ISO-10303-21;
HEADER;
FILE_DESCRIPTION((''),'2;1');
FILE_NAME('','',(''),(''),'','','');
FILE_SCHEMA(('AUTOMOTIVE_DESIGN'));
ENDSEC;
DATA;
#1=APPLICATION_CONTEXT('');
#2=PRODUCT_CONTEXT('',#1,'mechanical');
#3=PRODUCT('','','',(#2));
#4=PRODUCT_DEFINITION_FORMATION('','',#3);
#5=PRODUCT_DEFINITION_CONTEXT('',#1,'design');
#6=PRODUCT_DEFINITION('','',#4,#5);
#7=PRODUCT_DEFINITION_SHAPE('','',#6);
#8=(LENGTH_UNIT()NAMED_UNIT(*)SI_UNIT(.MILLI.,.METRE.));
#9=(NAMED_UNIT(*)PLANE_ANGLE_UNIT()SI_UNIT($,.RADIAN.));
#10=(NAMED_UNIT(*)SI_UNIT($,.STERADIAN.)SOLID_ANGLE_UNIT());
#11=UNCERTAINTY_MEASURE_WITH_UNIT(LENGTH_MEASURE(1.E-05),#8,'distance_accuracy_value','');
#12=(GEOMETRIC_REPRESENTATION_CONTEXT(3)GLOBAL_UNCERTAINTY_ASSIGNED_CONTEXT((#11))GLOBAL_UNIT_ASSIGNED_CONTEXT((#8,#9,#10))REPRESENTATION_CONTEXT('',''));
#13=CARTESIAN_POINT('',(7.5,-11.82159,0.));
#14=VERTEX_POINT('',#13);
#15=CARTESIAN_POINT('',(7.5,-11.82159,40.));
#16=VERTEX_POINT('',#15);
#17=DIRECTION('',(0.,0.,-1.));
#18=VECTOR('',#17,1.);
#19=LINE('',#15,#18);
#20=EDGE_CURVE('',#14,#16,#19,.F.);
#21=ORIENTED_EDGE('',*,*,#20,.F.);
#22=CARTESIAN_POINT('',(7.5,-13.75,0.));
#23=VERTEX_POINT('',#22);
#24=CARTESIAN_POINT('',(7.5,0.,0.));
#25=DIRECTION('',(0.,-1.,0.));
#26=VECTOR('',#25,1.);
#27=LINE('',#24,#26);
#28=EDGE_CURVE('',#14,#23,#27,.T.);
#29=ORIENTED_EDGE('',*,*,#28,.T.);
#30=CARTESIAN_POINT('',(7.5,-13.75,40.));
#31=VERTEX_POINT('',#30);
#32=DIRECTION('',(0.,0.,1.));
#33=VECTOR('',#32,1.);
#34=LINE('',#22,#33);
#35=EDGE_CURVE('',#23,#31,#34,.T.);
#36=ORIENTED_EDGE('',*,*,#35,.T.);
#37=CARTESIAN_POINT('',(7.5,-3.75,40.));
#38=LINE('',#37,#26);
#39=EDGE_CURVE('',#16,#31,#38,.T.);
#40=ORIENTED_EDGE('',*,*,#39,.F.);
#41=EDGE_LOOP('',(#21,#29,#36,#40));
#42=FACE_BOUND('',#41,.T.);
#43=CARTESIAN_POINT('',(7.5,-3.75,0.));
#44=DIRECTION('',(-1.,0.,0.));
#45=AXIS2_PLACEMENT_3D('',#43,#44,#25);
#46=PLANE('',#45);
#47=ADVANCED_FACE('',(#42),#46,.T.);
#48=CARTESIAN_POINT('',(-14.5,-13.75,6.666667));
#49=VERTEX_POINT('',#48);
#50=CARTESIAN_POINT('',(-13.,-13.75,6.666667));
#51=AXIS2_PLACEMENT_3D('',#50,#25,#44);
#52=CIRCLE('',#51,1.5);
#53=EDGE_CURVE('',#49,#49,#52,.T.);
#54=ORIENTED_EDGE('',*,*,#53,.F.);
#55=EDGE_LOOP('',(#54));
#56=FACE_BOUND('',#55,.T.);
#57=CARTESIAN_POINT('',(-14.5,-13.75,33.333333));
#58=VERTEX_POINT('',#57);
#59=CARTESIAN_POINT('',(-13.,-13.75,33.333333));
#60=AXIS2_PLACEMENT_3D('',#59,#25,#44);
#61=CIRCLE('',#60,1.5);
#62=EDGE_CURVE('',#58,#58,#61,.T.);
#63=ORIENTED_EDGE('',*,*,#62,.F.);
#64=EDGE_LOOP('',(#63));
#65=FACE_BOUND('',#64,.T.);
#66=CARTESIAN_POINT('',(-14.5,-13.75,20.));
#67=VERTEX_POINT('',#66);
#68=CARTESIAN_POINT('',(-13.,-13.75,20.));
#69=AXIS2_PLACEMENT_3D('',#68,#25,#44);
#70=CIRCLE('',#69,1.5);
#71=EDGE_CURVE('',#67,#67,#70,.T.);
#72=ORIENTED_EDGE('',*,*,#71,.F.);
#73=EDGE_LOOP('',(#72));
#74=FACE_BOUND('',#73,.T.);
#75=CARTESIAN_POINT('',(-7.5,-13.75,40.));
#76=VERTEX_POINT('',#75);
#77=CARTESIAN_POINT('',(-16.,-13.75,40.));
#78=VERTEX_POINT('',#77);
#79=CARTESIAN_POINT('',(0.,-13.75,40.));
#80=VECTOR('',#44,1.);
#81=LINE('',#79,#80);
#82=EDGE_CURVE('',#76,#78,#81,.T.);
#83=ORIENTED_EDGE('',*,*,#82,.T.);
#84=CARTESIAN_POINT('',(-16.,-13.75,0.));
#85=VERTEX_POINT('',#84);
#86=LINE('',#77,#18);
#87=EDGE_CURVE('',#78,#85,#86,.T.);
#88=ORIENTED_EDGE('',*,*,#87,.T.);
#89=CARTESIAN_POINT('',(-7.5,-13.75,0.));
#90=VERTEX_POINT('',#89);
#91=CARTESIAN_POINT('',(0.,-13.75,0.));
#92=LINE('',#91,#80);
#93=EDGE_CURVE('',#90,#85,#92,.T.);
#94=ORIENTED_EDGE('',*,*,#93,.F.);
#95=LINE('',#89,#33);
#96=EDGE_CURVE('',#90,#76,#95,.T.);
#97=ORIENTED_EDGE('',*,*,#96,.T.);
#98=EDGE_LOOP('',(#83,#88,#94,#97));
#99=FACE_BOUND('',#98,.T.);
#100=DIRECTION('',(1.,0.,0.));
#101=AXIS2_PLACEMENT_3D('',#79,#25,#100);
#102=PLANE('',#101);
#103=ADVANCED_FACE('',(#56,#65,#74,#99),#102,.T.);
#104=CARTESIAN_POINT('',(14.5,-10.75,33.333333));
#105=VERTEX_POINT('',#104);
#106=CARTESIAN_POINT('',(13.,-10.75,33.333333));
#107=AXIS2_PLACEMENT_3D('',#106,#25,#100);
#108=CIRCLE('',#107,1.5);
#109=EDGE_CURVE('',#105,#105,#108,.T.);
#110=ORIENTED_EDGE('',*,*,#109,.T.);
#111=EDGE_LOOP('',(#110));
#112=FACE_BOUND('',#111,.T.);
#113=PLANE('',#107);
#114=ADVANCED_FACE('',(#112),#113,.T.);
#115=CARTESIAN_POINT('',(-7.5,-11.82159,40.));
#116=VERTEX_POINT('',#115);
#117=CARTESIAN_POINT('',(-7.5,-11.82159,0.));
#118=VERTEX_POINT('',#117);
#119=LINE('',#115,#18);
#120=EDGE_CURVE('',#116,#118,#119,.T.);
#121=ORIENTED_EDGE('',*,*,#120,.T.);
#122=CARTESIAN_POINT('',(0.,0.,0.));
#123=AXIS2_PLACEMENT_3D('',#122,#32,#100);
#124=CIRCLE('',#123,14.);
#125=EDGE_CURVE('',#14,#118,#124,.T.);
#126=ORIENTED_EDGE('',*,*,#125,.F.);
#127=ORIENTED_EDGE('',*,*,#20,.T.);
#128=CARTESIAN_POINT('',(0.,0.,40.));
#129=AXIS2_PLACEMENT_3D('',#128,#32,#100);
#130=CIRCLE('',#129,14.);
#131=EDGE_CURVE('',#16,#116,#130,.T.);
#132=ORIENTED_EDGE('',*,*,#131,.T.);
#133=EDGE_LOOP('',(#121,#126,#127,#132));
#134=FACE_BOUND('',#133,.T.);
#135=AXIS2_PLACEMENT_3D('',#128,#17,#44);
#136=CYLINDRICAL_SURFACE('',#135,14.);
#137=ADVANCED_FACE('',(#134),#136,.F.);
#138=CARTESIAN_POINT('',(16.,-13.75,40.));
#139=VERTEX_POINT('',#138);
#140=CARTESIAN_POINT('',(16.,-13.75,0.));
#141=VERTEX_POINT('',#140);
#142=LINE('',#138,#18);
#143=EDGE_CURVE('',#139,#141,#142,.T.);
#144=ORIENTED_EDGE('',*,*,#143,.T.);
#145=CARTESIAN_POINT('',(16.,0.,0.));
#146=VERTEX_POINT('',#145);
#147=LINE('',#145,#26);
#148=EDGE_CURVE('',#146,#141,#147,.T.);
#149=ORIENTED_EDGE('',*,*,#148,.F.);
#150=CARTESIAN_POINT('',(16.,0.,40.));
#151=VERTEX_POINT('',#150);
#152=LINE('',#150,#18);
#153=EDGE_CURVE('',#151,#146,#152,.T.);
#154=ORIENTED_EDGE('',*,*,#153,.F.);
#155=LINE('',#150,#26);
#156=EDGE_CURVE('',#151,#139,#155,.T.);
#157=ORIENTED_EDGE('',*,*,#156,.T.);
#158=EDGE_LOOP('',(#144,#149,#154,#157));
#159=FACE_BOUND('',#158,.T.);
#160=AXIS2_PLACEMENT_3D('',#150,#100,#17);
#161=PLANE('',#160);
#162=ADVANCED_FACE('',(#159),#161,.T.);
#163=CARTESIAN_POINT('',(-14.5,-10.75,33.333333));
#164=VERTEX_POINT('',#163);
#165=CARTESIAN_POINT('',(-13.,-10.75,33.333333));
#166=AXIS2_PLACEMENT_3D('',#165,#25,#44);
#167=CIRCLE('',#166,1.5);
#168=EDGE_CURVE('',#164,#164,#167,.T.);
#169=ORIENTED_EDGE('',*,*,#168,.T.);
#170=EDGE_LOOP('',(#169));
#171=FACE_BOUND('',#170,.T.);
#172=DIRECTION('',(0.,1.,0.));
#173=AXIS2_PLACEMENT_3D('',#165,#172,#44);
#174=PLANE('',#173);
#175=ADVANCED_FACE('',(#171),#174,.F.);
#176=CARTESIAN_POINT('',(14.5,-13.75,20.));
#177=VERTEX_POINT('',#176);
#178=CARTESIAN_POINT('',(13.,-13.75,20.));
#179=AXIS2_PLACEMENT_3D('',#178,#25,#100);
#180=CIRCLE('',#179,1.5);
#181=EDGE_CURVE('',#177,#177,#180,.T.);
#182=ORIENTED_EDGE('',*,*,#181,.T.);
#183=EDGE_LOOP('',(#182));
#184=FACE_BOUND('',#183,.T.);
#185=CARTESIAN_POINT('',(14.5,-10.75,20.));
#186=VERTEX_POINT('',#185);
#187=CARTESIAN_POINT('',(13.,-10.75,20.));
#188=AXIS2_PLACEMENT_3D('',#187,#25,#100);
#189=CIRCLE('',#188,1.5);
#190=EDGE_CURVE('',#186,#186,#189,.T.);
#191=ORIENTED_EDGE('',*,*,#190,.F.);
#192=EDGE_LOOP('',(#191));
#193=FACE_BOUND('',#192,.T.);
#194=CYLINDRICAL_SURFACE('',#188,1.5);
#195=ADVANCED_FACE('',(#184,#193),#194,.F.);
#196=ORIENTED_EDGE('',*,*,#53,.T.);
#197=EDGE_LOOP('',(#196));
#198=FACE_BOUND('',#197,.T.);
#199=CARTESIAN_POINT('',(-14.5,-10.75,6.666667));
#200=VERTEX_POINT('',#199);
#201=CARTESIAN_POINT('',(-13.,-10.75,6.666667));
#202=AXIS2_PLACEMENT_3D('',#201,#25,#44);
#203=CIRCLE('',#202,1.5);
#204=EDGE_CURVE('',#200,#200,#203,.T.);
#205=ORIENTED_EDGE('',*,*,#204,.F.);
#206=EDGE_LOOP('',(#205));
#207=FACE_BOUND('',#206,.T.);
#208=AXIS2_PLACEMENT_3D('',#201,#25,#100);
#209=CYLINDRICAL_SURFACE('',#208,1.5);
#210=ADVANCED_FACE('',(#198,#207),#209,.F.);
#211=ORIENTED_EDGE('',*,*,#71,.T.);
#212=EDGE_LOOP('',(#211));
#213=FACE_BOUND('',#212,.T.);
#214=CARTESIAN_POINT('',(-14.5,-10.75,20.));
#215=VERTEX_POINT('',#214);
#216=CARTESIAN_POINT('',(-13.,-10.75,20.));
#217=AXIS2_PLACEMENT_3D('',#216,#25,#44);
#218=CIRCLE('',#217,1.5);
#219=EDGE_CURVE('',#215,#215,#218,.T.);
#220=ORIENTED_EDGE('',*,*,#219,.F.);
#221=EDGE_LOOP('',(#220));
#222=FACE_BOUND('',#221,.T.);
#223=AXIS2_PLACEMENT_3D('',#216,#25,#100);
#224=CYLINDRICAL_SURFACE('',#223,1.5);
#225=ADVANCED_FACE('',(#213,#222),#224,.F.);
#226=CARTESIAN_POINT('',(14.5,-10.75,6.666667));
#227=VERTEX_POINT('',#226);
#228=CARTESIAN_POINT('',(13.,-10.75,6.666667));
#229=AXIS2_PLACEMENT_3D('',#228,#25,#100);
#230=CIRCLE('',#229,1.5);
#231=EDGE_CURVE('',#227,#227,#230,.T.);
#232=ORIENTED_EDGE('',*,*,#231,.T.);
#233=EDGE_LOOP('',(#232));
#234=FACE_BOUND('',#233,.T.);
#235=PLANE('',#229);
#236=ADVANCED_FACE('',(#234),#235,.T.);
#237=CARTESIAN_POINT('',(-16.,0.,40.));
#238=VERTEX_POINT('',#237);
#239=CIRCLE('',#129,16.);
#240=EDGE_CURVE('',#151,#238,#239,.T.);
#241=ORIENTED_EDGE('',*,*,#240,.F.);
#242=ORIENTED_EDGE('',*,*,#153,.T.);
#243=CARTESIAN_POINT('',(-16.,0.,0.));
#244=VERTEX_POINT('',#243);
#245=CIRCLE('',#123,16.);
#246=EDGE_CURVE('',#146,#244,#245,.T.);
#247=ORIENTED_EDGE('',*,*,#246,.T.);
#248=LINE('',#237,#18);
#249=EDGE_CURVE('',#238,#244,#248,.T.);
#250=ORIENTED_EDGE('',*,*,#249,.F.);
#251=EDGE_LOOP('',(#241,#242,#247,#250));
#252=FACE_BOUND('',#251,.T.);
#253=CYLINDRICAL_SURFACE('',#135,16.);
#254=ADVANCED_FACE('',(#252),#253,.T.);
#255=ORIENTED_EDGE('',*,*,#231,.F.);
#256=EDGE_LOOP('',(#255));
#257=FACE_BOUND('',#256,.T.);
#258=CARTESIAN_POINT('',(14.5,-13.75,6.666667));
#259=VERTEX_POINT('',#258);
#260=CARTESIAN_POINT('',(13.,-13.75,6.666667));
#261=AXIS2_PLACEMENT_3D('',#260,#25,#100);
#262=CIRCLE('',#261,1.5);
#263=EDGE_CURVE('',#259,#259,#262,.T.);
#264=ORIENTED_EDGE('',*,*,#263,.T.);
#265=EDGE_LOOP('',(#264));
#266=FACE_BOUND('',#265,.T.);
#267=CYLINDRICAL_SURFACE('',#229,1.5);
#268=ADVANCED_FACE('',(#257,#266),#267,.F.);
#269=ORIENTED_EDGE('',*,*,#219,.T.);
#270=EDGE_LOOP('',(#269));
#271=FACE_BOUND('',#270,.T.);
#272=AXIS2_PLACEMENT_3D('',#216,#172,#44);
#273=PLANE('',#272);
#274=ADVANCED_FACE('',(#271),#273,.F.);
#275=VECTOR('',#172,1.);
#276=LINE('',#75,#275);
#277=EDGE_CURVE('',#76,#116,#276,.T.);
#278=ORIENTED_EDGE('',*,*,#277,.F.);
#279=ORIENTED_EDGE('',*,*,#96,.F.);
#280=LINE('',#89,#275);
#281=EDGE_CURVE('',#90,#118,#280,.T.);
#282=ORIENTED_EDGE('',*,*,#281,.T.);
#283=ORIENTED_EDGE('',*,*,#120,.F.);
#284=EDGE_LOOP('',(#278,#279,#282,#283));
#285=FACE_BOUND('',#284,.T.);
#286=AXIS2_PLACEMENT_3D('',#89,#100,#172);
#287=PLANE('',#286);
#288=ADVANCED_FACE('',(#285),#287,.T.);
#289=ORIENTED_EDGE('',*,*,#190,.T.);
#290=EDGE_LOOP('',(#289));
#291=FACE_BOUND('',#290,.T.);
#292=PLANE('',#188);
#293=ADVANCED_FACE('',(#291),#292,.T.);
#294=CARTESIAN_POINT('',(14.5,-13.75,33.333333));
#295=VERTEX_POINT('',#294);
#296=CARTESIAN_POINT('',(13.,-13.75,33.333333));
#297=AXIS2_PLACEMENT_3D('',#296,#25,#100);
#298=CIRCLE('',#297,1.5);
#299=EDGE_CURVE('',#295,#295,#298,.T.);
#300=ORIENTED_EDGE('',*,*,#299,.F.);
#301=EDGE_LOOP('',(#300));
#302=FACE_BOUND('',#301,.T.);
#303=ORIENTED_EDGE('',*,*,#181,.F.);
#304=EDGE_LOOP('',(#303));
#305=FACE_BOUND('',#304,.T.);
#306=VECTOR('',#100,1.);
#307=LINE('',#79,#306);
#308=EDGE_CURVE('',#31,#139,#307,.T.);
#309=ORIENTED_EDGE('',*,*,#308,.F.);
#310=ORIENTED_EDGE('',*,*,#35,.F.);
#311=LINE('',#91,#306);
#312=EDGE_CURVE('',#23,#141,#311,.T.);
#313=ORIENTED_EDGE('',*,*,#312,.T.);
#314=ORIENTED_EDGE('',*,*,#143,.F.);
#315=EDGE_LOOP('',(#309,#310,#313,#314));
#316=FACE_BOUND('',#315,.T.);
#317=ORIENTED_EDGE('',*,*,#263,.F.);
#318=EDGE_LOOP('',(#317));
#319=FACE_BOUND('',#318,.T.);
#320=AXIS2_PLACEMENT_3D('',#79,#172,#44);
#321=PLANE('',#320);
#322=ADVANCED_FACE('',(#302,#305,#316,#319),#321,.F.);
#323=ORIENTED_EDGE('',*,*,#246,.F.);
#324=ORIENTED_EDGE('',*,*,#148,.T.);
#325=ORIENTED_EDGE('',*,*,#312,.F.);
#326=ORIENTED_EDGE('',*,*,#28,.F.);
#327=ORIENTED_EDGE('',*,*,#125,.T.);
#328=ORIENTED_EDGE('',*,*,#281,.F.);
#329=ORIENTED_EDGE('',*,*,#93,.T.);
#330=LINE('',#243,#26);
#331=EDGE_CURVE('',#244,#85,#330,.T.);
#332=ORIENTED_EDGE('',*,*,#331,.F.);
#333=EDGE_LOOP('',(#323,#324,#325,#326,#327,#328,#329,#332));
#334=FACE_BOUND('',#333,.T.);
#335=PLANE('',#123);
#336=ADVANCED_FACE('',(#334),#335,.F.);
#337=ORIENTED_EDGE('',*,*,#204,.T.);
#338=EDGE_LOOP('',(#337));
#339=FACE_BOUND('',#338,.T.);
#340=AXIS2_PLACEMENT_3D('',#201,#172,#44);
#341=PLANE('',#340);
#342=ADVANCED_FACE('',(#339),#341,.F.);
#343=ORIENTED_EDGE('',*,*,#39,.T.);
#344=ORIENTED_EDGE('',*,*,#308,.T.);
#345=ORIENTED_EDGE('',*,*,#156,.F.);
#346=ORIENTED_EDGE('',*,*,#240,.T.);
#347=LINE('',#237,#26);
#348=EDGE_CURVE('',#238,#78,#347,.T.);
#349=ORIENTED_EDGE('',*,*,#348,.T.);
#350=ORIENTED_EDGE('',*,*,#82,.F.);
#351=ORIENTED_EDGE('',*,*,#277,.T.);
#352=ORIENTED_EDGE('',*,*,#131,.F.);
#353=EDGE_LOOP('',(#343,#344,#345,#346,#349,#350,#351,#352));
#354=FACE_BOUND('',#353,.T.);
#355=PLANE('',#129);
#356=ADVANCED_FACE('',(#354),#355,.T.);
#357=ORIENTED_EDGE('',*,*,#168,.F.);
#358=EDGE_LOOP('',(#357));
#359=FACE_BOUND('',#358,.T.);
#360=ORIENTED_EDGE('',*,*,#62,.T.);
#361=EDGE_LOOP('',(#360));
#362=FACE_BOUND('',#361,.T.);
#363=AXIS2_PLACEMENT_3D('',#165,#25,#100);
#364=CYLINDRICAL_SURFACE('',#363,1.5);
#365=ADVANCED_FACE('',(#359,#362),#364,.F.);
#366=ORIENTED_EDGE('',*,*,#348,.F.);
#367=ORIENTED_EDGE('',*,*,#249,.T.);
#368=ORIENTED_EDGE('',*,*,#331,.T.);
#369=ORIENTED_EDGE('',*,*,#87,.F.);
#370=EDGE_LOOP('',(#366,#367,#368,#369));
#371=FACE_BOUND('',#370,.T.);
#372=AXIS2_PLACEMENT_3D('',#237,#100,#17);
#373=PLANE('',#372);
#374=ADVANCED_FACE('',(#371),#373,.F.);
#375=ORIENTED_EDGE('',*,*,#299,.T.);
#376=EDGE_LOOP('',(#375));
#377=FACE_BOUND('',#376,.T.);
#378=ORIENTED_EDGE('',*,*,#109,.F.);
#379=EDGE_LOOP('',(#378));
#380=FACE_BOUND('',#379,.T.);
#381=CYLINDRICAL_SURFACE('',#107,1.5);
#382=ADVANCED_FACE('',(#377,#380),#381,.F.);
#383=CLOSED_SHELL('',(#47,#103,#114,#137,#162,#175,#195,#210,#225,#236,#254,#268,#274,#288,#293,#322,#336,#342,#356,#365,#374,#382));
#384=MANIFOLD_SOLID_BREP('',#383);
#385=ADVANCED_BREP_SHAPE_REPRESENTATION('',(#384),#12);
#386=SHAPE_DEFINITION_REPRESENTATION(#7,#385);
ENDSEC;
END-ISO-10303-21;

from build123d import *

# Parameters (mm, degrees)
BOSS_EXTRUDE1_DEPTH     = 40
SKETCH2_R               = 1.5
CUT_EXTRUDE1_DEPTH      = 3
SKETCH3_W               = 15
SKETCH3_H               = 10
CUT_EXTRUDE_THIN1_DEPTH = 46.956501172


with BuildPart() as part:
    # Sketch1 → Boss-Extrude1 (new body)
    with BuildSketch(Plane.XY):
        with BuildLine():
            Line((-2.633913438, -13.75), (-16, -13.75))
            Line((-16, -13.75), (-16, 0))
            ThreePointArc((-16, 0), (0, 16), (16, 0))
            Line((16, 0), (16, -13.75))
            Line((16, -13.75), (2.633913438, -13.75))
            ThreePointArc((2.633913438, -13.75), (0, 14), (-2.633913438, -13.75))
        make_face()
    extrude(amount=BOSS_EXTRUDE1_DEPTH)

    # Sketch2 → Cut-Extrude1 (cut)
    with BuildSketch(Plane.XZ.offset(13.75)):
        with Locations((13, 33.333333333)):
            Circle(SKETCH2_R)
        with Locations((13, 20)):
            Circle(SKETCH2_R)
        with Locations((13, 6.666666667)):
            Circle(SKETCH2_R)
        with Locations(Location((-13, 6.666666667, 0), (0, 0, 180))):
            Circle(SKETCH2_R)
        with Locations(Location((-13, 20, 0), (0, 0, 180))):
            Circle(SKETCH2_R)
        with Locations(Location((-13, 33.333333333, 0), (0, 0, 180))):
            Circle(SKETCH2_R)
    extrude(amount=-CUT_EXTRUDE1_DEPTH, mode=Mode.SUBTRACT)

    # Sketch3 → Cut-Extrude-Thin1 (cut, through all)
    with BuildSketch(Plane.XY.offset(40)):
        with Locations((0, -8.75)):
            Rectangle(SKETCH3_W, SKETCH3_H)
    extrude(amount=-CUT_EXTRUDE_THIN1_DEPTH, mode=Mode.SUBTRACT)


solid = part.part
